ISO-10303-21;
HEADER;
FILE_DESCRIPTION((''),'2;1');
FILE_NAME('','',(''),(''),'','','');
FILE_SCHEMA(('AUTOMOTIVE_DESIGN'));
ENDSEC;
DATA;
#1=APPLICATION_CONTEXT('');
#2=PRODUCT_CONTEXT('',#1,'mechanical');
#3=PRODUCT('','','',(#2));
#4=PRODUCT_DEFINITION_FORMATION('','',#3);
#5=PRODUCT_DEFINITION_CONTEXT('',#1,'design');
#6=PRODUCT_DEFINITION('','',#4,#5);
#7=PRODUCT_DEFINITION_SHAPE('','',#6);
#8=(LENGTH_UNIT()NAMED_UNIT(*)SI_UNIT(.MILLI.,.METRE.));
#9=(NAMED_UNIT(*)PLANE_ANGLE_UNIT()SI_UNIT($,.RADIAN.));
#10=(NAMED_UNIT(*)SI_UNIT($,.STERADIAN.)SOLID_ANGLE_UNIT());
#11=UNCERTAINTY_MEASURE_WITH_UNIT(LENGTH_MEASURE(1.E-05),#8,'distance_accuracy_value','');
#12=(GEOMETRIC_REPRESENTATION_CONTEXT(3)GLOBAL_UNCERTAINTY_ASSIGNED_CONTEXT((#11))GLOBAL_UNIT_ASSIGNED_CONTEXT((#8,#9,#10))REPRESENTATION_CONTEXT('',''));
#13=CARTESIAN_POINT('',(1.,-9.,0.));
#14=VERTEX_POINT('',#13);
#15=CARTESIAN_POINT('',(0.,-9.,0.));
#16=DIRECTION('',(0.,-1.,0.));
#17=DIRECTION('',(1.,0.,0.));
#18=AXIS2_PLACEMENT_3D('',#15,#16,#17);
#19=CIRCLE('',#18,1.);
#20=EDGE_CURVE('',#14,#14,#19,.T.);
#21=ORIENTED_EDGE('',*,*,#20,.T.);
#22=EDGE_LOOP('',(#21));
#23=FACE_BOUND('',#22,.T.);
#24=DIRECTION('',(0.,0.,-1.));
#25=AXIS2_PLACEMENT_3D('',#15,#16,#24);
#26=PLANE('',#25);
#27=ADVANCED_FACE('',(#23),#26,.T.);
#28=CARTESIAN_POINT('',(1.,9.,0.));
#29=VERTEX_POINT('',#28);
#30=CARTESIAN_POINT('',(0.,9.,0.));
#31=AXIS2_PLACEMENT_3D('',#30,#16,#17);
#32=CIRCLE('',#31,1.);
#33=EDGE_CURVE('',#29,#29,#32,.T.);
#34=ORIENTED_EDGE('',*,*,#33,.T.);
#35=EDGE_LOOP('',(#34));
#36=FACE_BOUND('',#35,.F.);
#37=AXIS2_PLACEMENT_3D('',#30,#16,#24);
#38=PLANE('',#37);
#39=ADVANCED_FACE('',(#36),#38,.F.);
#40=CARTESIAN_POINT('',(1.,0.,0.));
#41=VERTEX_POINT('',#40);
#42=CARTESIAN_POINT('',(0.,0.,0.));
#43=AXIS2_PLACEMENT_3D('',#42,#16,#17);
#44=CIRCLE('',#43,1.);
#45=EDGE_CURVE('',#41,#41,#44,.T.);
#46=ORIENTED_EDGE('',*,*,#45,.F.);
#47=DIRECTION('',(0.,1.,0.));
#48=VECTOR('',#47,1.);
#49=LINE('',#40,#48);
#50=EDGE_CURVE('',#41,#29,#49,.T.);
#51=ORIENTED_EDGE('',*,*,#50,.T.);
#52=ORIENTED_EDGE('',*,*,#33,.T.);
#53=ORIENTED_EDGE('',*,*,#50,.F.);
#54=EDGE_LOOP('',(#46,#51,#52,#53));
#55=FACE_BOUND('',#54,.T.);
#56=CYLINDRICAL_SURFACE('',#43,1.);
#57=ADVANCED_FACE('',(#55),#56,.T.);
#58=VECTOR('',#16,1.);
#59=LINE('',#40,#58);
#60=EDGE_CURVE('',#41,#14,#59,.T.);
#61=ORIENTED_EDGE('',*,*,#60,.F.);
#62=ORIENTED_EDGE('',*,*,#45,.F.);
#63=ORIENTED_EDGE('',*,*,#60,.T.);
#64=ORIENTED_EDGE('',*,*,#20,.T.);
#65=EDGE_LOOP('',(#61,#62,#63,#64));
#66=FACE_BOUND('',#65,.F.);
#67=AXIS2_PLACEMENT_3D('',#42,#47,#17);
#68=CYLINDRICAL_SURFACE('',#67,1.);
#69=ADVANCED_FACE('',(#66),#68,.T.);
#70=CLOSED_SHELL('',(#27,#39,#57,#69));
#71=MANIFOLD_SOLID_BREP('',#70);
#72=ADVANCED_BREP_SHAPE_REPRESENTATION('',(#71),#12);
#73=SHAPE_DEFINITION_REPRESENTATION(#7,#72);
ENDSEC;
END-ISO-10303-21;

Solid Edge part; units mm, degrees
sketch "Sketch1" plane through (0, 0, 0) normal (0, -1, 0) x (1, 0, 0)
  circle A0 centre (0, 0) radius 1
extrude "Protrusion1" add sketch "Sketch1" along normal mid plane 18
properties material "Stainless Steel, 420"
